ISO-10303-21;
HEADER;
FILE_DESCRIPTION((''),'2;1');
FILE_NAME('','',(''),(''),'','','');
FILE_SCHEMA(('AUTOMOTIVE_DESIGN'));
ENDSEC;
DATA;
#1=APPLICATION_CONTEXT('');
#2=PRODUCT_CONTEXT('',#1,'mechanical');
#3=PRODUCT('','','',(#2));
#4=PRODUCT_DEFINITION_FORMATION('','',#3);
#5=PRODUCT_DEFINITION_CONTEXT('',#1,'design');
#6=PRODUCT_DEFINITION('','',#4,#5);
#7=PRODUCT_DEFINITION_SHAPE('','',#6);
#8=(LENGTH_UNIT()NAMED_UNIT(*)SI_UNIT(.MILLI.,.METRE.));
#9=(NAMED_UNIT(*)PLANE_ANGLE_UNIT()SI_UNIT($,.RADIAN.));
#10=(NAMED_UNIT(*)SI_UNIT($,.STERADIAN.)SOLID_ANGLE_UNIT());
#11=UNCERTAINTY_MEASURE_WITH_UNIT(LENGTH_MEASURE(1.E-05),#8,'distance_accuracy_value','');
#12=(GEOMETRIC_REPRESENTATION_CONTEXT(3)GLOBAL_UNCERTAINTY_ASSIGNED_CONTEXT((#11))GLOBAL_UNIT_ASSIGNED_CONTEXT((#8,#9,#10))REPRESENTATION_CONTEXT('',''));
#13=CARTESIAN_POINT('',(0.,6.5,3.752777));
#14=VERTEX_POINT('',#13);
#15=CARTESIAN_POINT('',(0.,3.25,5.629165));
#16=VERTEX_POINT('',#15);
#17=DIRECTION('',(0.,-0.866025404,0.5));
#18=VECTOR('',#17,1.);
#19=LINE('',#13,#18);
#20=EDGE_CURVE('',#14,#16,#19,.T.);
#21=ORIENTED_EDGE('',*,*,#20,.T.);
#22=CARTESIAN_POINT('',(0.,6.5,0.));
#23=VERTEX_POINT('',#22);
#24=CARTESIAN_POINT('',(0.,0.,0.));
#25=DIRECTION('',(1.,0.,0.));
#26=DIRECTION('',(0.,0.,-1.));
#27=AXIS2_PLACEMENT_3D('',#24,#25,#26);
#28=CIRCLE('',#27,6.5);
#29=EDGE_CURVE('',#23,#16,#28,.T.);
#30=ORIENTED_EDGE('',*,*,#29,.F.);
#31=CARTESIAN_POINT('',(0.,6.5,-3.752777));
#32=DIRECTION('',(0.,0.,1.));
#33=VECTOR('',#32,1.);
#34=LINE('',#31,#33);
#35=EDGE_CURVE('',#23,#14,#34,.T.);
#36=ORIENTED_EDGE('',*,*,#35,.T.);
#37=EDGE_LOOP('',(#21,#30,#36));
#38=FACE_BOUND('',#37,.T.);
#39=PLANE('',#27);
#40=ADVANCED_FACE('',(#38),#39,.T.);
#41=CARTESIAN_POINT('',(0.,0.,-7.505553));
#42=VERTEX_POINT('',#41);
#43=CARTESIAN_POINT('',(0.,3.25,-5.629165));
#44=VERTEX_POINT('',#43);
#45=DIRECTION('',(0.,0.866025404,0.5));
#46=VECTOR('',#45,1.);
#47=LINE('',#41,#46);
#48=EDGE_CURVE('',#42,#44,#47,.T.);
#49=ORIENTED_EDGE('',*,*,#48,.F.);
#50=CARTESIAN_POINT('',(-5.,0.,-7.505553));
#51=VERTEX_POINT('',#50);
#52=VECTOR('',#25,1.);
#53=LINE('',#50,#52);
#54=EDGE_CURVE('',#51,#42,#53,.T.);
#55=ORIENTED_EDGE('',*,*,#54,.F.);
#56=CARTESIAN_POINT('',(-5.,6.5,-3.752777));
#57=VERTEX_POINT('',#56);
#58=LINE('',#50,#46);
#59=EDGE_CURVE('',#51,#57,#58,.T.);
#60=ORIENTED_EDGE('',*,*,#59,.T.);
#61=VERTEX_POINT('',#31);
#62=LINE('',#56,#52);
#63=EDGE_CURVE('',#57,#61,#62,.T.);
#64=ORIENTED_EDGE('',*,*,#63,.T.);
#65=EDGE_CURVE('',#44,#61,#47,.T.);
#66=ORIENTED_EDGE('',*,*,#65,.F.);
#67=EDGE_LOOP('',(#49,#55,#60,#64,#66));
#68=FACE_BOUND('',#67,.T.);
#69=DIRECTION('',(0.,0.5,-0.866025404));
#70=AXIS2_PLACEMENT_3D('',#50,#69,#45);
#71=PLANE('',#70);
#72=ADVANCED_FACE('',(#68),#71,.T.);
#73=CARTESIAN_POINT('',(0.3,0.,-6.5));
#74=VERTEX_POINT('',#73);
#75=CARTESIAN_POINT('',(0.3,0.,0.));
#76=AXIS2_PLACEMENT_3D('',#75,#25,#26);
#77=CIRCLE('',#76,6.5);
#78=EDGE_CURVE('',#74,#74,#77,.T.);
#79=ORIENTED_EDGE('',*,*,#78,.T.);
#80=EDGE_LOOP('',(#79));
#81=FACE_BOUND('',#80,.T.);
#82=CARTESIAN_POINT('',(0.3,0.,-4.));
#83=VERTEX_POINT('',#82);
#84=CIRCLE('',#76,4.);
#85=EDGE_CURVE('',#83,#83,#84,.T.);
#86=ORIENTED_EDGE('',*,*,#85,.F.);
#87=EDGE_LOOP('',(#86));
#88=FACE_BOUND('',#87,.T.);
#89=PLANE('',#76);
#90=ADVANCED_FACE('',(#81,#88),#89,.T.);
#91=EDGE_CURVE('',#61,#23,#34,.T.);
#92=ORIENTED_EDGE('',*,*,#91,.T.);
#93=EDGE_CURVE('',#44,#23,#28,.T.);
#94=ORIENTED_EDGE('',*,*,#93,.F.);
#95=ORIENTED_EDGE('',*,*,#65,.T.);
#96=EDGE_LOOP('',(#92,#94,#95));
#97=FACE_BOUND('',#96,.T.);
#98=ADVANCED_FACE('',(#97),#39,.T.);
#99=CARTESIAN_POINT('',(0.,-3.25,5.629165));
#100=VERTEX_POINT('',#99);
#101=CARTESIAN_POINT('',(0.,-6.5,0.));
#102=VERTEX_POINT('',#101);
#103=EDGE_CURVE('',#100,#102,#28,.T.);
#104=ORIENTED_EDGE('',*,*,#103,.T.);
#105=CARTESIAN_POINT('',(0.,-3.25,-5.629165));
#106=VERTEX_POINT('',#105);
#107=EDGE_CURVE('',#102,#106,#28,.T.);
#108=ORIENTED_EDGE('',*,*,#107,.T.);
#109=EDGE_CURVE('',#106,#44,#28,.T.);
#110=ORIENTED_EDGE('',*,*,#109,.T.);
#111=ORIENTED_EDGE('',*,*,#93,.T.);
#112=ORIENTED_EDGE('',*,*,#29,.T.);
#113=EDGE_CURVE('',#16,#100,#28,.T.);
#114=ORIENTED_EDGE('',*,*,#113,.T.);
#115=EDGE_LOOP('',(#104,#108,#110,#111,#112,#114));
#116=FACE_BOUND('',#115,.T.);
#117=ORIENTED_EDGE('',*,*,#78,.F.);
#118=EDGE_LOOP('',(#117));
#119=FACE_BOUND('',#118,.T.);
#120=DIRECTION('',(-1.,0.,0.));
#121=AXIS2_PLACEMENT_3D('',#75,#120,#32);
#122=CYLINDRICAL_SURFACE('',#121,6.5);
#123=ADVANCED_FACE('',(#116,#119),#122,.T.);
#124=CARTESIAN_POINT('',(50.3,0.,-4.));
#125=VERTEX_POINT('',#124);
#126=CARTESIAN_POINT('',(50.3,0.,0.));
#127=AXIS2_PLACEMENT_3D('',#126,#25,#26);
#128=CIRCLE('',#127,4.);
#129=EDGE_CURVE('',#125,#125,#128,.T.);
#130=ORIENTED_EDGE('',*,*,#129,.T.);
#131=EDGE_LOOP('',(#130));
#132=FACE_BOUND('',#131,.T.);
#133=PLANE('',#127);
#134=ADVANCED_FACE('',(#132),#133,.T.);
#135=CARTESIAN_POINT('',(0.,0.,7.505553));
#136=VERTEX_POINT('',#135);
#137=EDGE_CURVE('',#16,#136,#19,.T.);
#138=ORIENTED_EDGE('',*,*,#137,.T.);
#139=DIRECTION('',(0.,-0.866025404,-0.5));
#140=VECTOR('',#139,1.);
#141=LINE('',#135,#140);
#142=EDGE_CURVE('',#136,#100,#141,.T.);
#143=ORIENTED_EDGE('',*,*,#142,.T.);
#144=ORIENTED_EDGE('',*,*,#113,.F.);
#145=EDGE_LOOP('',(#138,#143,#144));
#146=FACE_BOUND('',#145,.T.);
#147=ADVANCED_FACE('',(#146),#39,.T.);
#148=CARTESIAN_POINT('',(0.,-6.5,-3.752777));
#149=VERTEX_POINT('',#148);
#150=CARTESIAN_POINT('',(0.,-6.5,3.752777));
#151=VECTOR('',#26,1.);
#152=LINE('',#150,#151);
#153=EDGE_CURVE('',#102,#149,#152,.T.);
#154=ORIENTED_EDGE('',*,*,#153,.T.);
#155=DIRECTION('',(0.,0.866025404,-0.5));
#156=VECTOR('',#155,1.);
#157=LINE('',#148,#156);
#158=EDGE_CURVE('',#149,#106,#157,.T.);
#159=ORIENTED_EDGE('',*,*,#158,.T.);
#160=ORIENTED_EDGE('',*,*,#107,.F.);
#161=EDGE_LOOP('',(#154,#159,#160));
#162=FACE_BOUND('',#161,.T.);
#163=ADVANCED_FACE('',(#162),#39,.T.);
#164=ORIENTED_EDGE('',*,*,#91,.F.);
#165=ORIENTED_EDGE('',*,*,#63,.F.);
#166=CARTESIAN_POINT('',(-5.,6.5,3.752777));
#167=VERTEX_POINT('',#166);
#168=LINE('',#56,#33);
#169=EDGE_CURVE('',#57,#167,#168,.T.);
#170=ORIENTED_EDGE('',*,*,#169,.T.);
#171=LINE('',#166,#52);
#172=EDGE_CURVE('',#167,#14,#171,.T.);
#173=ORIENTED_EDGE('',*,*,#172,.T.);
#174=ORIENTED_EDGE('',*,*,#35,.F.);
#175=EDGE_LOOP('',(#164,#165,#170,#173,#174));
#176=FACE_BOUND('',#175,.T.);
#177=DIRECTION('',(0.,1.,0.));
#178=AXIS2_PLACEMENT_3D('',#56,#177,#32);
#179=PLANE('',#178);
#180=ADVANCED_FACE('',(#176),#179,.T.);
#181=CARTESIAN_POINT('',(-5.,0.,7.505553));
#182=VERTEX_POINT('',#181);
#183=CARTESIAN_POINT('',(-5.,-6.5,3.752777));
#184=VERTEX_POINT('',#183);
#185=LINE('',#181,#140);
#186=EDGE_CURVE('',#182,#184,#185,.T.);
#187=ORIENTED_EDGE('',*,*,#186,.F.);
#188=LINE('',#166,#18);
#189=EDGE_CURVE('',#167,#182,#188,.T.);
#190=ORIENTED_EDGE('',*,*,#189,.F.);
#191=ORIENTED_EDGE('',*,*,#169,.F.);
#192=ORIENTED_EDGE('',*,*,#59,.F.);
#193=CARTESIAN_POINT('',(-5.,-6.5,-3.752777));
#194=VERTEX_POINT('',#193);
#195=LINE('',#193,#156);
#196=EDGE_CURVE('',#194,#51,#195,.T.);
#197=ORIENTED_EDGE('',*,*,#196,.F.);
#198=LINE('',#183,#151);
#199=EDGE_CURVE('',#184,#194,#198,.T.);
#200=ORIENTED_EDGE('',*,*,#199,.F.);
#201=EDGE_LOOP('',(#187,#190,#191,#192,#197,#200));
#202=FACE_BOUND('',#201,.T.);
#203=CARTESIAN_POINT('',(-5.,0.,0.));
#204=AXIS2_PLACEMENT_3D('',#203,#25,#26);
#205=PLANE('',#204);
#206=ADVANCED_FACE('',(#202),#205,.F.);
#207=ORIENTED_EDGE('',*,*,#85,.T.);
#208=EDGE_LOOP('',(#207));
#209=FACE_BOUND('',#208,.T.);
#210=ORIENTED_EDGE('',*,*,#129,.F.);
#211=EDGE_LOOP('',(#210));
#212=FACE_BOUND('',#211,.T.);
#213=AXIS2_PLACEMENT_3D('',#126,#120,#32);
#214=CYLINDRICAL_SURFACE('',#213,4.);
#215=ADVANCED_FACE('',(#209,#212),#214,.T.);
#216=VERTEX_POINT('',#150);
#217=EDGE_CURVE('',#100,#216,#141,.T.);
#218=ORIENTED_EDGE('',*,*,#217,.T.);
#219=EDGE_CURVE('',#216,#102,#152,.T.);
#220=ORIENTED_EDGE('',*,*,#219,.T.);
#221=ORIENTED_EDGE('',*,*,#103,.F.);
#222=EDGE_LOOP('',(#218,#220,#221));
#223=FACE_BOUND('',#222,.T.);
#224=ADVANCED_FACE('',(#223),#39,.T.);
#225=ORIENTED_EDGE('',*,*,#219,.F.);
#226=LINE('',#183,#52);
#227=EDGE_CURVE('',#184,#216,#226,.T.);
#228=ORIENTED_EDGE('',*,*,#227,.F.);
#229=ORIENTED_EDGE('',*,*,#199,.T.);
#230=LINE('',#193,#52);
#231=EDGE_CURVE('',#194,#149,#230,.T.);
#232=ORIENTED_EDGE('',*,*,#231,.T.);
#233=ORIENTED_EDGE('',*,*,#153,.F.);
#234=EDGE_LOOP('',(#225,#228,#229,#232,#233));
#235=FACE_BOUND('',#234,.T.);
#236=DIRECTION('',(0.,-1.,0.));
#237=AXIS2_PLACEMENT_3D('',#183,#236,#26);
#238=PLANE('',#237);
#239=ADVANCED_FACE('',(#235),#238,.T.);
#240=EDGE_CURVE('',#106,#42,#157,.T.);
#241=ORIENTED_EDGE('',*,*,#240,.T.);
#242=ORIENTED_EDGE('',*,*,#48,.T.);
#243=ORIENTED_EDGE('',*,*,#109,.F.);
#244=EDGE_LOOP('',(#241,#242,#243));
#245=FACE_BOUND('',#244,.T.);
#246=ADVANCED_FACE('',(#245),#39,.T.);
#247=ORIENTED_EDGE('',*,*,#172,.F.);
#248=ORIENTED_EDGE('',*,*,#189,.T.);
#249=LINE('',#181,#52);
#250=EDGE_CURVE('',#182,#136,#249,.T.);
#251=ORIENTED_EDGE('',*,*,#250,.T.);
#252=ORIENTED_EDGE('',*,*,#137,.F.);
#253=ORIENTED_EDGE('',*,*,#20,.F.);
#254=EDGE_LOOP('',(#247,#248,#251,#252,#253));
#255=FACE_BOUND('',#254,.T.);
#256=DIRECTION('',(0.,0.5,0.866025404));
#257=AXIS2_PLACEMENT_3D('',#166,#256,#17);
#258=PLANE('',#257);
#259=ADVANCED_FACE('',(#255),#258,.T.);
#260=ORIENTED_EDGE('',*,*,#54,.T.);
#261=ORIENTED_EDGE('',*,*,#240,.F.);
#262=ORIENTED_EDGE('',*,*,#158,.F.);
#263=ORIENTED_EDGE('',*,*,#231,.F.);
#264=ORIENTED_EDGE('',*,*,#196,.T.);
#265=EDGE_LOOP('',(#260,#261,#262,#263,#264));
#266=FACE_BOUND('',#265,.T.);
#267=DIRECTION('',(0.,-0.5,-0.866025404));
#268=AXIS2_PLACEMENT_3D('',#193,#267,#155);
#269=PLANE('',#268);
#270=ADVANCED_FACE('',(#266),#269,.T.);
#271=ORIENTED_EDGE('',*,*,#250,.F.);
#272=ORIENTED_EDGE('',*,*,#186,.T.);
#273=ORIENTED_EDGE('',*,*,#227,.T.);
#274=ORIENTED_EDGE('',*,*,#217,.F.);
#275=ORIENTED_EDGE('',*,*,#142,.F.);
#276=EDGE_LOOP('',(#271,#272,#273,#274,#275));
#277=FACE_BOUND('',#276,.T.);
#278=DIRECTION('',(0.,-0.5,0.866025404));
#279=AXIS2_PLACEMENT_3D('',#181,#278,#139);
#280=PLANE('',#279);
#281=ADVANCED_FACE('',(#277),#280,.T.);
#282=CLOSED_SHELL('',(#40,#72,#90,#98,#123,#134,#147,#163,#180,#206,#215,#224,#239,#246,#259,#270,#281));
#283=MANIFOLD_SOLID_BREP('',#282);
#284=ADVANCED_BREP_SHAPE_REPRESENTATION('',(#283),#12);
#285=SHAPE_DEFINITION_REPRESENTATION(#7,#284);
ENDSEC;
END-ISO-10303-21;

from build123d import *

# Parameters (mm, degrees)
BOSS_EXTRUDE1_DEPTH = 5
SKETCH2_R           = 6.5
BOSS_EXTRUDE2_DEPTH = 0.3
SKETCH3_R           = 4
BOSS_EXTRUDE3_DEPTH = 50


with BuildPart() as part:
    # Sketch1 → Boss-Extrude1 (new body)
    with BuildSketch(Plane(origin=(0, 0, 0), x_dir=(0, 0, -1), z_dir=(1, 0, 0))):
        Polygon((-7.505553499, 0), (-3.75277675, -6.5), (3.75277675, -6.5), (7.505553499, 0), (3.75277675, 6.5), (-3.75277675, 6.5), align=None)
    extrude(amount=-BOSS_EXTRUDE1_DEPTH)

    # Sketch2 → Boss-Extrude2 (add)
    with BuildSketch(Plane(origin=(0, 0, 0), x_dir=(0, 0, -1), z_dir=(1, 0, 0))):
        with Locations(Location((0, 0, 0), (0, 0, 150))):
            Circle(SKETCH2_R)
    extrude(amount=BOSS_EXTRUDE2_DEPTH)

    # Sketch3 → Boss-Extrude3 (add)
    with BuildSketch(Plane(origin=(0.3, 0, 0), x_dir=(0, 0, -1), z_dir=(1, 0, 0))):
        Circle(SKETCH3_R)
    extrude(amount=BOSS_EXTRUDE3_DEPTH)


solid = part.part
